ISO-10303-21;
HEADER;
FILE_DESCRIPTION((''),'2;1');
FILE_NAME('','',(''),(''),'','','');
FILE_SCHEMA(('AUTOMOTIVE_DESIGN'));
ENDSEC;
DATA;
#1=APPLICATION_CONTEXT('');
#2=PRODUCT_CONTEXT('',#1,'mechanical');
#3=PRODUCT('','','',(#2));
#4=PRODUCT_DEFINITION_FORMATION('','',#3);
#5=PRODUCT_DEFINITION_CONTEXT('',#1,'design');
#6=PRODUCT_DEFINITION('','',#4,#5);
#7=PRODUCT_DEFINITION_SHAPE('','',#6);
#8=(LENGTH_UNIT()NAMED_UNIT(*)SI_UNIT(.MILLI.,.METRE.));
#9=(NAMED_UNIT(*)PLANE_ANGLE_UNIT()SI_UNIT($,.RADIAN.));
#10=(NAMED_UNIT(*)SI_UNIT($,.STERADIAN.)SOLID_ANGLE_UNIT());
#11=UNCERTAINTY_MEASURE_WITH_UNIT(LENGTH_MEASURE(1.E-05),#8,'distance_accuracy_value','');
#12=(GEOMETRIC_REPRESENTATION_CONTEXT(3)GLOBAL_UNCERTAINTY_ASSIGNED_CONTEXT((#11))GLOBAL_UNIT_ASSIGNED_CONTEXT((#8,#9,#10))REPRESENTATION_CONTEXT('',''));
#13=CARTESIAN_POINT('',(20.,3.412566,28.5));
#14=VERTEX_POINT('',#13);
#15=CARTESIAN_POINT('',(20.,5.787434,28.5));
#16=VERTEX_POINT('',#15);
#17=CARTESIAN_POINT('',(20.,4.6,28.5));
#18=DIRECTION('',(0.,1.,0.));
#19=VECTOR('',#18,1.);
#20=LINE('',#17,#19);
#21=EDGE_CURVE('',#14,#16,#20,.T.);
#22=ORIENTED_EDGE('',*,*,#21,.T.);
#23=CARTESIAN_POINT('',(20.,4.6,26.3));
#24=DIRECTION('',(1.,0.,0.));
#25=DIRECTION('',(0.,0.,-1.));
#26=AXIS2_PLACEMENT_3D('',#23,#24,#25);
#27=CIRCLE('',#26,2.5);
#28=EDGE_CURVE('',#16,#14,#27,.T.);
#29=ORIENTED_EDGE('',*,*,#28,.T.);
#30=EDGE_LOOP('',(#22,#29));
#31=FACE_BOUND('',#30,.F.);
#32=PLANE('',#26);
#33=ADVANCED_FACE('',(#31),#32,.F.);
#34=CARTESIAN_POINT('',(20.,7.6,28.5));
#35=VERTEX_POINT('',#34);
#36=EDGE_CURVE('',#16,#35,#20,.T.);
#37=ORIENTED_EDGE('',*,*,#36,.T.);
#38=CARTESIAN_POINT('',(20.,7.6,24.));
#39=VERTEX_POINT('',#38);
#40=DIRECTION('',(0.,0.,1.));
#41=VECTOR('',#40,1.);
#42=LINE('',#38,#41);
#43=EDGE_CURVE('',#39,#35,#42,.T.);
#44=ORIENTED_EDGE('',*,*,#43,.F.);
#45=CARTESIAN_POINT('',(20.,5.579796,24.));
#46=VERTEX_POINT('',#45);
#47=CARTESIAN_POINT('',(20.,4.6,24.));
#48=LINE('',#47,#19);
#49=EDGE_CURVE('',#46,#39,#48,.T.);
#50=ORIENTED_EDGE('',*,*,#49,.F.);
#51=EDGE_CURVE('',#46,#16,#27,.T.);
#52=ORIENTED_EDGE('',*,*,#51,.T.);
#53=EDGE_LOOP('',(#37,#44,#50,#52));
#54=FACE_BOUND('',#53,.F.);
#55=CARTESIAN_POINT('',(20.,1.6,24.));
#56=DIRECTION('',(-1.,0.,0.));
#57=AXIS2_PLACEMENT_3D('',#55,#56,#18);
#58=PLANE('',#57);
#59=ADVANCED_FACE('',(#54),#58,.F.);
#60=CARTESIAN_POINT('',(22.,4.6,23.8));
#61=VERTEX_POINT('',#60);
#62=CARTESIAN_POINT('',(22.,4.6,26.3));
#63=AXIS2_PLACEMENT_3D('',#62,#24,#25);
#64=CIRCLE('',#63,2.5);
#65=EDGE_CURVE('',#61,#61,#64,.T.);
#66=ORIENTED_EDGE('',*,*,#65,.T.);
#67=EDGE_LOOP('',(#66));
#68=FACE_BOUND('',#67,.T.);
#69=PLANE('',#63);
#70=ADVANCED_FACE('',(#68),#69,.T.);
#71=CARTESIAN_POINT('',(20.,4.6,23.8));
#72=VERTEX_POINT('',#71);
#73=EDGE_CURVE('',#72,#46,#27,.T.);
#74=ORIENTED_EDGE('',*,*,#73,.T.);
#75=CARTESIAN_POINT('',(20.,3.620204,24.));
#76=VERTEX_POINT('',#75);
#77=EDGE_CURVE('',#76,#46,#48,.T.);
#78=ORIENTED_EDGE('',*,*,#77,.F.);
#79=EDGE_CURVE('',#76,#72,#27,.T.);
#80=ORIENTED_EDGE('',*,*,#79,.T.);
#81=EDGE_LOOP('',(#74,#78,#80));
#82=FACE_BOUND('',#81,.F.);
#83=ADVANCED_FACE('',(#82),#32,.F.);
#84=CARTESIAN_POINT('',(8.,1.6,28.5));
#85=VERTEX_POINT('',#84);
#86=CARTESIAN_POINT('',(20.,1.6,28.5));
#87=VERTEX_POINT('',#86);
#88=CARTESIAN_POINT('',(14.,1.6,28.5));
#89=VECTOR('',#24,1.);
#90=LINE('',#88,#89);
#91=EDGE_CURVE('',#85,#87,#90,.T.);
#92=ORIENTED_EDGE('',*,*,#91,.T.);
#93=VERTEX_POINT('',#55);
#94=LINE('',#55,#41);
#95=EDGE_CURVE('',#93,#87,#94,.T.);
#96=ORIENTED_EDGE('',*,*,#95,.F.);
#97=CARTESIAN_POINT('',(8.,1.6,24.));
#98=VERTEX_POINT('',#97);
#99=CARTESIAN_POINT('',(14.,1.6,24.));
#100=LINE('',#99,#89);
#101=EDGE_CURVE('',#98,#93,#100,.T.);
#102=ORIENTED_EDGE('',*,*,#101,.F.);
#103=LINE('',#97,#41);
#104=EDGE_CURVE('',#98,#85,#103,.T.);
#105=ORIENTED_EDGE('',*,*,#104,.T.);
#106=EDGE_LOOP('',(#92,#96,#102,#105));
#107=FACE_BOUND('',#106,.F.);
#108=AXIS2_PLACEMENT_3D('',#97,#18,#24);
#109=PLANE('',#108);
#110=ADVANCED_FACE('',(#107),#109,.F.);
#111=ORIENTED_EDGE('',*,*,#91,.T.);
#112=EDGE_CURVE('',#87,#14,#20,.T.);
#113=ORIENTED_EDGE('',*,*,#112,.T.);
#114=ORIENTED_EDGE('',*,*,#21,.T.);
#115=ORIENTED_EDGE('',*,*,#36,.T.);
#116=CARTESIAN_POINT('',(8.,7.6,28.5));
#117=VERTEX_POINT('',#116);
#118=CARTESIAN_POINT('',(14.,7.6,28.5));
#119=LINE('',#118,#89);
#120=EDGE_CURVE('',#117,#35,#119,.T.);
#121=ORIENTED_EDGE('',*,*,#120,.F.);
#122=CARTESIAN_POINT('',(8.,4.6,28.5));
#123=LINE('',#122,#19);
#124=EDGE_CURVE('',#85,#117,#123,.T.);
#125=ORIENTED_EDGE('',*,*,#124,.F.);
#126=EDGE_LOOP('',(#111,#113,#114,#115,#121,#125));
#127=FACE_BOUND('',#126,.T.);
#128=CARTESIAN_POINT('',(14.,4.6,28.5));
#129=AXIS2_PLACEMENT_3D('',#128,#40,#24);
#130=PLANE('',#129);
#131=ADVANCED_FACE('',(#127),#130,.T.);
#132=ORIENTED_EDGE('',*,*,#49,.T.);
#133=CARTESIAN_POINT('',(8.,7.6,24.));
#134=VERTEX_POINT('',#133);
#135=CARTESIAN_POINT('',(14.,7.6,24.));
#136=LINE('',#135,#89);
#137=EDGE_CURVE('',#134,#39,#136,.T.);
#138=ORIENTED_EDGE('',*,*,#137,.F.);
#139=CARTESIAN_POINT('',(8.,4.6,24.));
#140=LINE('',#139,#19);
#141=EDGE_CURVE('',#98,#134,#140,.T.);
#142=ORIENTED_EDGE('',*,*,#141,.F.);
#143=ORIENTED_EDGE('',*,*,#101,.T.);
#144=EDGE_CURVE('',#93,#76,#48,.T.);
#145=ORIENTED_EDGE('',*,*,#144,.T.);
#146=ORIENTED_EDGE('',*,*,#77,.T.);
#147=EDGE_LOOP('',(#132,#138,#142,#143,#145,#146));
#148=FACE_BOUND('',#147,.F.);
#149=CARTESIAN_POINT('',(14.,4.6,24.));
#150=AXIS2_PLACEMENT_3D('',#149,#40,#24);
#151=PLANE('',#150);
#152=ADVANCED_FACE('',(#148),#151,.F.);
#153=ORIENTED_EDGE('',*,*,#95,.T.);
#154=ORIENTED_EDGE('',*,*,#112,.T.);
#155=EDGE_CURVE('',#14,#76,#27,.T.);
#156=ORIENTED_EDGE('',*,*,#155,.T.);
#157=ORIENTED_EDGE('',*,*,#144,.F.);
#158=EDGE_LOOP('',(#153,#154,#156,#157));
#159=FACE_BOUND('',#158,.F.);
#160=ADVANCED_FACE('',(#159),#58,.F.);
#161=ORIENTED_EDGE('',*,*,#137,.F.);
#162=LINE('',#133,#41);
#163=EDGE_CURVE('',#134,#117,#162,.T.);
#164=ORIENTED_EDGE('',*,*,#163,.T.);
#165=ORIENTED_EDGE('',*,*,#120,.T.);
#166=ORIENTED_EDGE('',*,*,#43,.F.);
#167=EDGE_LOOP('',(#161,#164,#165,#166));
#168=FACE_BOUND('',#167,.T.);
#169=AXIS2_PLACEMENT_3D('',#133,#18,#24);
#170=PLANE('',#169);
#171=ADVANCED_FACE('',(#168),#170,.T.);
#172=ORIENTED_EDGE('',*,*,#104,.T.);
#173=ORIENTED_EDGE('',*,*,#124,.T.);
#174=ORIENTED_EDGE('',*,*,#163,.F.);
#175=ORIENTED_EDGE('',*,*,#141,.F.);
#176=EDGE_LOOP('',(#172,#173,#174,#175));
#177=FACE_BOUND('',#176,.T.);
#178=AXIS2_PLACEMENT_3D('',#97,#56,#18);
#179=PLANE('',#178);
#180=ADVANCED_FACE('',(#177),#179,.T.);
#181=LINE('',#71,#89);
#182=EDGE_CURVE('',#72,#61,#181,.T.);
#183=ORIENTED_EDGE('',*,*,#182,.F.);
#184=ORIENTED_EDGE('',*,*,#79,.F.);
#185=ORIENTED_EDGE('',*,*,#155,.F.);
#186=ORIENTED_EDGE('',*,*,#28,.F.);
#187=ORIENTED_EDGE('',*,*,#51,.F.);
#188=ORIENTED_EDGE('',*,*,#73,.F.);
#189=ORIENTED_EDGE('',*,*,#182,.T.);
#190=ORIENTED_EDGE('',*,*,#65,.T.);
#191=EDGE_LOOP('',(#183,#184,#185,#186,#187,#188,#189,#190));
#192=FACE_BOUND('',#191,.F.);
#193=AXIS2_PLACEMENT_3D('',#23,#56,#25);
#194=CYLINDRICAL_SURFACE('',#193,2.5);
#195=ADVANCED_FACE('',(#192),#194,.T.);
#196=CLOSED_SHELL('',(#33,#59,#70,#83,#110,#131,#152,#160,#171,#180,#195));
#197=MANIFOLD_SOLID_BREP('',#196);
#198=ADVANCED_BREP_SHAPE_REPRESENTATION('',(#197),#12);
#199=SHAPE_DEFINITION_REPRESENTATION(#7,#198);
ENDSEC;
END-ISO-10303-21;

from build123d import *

# Parameters (mm, degrees)
BOX007_W                = 12
BOX007_H                = 6
BOX007_DEPTH            = 4.5
CYLINDER018_R           = 2.5
CYLINDER018_DEPTH       = 2
CYLINDER018_PITCH_ANGLE = 90


with BuildPart() as aj_body:
    # Box007 → Box007 (new body)
    with BuildSketch(Plane.XY):
        with Locations((6, 3)):
            Rectangle(BOX007_W, BOX007_H)
    extrude(amount=BOX007_DEPTH)


with BuildPart() as audio_jack:
    # Cylinder018 → Cylinder018 (new body)
    with BuildSketch(Plane.XY):
        Circle(CYLINDER018_R)
    extrude(amount=CYLINDER018_DEPTH)


with BuildPart() as audio_jack_1:
    # Cylinder018 pitch: moved
    add(audio_jack.part.rotate(Axis((0, 0, 0), (0, 1, 0)), CYLINDER018_PITCH_ANGLE))


with BuildPart() as audio_jack_2:
    # Cylinder018 placement: moved
    add(audio_jack_1.part.moved(Location((12, 3, 2.3))))

    # Fusion010: union AJ_body
    add(aj_body.part)


with BuildPart() as audio_jack_3:
    # Fusion010 placement: moved
    add(audio_jack_2.part.moved(Location((8, 1.6, 24))))


solid = audio_jack_3.part
